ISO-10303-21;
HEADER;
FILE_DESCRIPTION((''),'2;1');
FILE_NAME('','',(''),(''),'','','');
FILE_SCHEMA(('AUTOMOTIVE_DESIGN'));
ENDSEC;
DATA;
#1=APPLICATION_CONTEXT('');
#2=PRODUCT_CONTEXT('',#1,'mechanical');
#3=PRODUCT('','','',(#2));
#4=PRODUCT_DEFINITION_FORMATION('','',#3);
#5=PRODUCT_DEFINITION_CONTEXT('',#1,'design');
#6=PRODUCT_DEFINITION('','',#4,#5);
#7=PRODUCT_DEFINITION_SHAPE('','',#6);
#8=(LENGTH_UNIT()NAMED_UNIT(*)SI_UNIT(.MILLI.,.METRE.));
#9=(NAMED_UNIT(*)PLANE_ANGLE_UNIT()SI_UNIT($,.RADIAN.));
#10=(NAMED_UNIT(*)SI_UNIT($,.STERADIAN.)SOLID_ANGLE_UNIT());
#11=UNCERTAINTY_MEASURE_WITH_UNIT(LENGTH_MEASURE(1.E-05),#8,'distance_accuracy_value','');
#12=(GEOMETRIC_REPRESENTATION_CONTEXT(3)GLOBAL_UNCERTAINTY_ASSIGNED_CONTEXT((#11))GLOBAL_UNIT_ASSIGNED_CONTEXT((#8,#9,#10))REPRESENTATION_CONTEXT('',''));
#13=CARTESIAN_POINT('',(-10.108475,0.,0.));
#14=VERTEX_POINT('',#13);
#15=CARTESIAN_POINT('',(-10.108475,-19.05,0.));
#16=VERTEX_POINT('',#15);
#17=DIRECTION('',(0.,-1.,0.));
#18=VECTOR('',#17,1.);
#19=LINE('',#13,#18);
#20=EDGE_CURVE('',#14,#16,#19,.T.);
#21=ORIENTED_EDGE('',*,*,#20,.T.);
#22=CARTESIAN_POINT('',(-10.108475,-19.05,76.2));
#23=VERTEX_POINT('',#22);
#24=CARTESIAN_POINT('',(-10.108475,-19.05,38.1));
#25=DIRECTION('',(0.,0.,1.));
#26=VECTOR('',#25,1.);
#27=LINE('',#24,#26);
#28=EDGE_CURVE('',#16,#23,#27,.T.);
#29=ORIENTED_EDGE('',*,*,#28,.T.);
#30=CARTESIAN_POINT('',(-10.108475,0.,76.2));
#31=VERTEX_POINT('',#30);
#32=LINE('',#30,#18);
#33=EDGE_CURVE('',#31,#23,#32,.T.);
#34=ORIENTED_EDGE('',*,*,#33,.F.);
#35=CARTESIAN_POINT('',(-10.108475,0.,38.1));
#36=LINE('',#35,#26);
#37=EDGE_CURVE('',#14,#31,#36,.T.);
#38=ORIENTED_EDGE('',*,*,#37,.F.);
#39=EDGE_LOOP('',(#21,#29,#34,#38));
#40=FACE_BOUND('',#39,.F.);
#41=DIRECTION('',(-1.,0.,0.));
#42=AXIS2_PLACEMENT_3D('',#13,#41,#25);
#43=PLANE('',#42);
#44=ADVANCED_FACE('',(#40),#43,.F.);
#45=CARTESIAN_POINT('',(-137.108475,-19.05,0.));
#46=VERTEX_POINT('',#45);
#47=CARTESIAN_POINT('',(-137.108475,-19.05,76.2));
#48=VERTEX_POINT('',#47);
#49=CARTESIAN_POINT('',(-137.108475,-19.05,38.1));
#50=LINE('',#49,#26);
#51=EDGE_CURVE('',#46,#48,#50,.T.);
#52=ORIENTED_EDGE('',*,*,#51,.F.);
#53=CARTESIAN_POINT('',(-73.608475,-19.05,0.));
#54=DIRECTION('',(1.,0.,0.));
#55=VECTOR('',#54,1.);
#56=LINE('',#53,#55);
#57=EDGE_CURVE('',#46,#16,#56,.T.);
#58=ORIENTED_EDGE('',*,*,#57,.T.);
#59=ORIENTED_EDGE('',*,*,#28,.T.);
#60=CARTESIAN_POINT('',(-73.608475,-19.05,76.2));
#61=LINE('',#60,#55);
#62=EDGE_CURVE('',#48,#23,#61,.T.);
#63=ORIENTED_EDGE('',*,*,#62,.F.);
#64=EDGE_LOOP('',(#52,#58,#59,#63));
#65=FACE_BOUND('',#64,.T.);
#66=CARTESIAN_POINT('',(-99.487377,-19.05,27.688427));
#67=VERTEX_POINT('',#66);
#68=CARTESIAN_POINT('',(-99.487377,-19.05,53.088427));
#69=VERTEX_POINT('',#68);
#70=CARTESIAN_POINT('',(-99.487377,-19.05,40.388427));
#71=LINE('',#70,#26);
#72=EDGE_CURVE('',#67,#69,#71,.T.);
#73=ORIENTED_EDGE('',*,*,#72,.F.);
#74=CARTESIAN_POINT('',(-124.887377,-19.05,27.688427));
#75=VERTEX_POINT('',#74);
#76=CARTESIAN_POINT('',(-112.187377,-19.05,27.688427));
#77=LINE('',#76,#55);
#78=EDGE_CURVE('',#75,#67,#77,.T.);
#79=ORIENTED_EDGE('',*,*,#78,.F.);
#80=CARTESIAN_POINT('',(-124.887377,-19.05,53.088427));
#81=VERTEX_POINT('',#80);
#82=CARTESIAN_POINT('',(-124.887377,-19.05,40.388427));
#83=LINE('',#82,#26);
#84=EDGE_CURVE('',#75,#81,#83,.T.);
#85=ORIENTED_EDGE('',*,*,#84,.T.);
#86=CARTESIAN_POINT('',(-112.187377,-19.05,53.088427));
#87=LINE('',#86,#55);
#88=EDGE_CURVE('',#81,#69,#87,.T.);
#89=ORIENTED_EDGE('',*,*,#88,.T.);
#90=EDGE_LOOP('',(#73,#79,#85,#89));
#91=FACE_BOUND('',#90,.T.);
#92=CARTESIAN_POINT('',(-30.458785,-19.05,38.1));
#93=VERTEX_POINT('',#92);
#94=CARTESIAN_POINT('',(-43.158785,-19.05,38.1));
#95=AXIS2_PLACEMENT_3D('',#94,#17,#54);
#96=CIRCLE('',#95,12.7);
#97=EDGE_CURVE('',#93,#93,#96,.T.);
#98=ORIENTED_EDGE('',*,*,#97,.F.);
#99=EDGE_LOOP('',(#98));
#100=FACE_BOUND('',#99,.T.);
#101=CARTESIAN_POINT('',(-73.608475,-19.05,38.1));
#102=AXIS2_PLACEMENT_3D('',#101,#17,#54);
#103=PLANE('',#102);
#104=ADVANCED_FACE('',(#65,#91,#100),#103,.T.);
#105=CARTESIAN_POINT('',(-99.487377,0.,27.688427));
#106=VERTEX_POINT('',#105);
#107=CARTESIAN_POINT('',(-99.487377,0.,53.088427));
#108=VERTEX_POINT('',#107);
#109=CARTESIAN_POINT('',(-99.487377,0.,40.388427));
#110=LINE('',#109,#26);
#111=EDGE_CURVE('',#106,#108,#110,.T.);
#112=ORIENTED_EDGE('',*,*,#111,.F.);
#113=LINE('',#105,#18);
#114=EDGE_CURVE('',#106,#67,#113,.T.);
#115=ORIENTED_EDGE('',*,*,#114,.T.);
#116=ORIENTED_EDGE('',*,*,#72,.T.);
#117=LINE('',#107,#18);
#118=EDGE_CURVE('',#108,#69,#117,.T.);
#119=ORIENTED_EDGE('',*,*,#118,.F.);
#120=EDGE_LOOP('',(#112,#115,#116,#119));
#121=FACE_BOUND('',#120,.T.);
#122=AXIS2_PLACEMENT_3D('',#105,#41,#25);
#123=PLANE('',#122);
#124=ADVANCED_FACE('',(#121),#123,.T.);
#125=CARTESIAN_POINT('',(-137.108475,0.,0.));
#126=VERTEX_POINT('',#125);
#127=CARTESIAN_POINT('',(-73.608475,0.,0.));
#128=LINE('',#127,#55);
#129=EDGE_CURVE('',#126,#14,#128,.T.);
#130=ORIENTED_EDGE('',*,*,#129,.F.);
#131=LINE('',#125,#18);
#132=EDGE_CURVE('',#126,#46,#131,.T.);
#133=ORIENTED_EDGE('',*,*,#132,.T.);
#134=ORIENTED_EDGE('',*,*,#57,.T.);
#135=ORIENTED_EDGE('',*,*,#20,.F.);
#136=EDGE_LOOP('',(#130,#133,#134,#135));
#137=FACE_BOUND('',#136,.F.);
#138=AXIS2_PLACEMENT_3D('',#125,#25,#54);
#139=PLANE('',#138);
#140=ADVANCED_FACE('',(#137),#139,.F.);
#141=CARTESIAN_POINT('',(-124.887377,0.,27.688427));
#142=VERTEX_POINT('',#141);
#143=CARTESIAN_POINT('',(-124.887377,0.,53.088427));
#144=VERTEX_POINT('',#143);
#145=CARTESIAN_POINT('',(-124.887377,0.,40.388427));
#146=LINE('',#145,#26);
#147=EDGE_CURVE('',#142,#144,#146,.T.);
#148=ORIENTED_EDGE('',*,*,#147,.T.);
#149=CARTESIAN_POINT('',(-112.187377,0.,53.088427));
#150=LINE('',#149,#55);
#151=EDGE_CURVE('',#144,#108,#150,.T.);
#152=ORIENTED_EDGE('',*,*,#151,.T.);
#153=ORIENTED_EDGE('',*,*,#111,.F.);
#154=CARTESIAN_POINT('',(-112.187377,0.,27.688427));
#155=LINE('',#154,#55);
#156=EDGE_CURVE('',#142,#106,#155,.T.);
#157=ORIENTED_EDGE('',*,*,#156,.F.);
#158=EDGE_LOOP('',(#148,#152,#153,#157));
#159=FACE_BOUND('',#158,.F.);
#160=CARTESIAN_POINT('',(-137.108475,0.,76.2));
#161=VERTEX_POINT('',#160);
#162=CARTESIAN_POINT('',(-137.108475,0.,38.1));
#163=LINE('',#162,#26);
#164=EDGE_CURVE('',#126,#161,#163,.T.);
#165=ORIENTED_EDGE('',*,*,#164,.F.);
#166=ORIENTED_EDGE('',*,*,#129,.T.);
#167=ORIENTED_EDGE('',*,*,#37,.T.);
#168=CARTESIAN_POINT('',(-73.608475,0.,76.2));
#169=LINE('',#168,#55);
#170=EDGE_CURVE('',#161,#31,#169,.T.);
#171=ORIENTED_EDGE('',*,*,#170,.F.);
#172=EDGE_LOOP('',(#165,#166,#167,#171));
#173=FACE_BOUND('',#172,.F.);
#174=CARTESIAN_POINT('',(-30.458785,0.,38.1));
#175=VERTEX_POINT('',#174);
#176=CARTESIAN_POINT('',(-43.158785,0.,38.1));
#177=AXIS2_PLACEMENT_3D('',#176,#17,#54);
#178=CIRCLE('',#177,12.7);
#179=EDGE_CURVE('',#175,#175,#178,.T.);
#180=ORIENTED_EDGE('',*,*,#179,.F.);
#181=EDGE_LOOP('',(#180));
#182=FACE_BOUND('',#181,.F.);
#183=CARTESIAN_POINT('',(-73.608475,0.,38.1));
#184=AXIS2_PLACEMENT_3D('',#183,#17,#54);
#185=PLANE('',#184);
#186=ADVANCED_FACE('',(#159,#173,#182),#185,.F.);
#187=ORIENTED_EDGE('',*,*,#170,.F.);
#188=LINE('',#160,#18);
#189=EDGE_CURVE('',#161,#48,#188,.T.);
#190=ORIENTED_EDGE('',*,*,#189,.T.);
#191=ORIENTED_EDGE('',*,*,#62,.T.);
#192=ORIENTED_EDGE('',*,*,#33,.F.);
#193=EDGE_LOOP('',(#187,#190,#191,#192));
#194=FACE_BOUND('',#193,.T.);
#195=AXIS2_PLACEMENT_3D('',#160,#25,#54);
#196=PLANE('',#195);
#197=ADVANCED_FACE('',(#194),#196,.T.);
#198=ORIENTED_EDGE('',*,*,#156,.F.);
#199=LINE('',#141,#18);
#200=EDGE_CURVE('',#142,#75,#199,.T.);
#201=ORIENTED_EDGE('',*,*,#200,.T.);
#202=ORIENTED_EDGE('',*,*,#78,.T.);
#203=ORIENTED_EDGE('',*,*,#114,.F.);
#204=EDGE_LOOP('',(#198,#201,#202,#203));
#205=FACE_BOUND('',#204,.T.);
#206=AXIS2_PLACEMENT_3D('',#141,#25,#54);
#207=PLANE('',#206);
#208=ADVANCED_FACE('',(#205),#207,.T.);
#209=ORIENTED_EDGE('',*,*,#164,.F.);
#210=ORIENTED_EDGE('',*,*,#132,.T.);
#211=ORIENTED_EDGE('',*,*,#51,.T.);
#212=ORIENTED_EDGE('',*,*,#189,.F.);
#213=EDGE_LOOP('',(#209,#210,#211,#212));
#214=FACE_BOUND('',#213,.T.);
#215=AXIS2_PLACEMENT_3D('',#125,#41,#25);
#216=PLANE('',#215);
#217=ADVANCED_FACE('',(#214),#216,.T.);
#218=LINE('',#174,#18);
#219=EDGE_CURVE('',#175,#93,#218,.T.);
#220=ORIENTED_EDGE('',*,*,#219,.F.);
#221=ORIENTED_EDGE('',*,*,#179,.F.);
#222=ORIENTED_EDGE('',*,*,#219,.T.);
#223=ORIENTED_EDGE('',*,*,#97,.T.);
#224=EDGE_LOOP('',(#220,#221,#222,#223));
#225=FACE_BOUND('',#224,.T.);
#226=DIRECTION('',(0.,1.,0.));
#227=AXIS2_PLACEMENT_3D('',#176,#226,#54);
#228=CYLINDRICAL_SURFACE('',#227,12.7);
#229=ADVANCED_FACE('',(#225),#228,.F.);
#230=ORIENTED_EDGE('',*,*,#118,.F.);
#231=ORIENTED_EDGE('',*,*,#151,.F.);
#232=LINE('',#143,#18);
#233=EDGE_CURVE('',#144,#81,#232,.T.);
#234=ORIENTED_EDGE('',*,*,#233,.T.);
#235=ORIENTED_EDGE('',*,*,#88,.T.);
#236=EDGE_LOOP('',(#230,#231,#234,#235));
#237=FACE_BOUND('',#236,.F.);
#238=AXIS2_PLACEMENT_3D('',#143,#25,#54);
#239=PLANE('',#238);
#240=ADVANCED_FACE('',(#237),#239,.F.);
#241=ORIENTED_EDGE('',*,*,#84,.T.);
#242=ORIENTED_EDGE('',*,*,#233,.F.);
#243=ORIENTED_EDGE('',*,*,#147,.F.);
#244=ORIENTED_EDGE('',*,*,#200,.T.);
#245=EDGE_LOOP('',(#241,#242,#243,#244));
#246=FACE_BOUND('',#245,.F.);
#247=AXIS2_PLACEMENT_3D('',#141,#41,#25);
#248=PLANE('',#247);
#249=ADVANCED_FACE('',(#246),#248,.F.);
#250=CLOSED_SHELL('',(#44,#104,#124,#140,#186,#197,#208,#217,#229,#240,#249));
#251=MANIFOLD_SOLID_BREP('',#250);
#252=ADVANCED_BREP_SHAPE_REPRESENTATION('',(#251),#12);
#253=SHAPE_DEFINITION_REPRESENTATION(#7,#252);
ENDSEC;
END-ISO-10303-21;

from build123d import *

# Parameters (mm, degrees)
F1_W     = 127
F1_H     = 76.2
F1_W_2   = 25.4
F1_H_2   = 25.4
F1_R     = 12.7
F2_DEPTH = 19.05


with BuildPart() as f2:
    # F1 (on face) → F2 (new body)
    with BuildSketch(Plane.XZ):
        with Locations((-73.608475, 38.1)):
            Rectangle(F1_W, F1_H)
        with Locations((-112.187377, 40.388427)):
            Rectangle(F1_W_2, F1_H_2, mode=Mode.SUBTRACT)
        with Locations((-43.158785, 38.1)):
            Circle(F1_R, mode=Mode.SUBTRACT)
    extrude(amount=F2_DEPTH)


solid = f2.part
